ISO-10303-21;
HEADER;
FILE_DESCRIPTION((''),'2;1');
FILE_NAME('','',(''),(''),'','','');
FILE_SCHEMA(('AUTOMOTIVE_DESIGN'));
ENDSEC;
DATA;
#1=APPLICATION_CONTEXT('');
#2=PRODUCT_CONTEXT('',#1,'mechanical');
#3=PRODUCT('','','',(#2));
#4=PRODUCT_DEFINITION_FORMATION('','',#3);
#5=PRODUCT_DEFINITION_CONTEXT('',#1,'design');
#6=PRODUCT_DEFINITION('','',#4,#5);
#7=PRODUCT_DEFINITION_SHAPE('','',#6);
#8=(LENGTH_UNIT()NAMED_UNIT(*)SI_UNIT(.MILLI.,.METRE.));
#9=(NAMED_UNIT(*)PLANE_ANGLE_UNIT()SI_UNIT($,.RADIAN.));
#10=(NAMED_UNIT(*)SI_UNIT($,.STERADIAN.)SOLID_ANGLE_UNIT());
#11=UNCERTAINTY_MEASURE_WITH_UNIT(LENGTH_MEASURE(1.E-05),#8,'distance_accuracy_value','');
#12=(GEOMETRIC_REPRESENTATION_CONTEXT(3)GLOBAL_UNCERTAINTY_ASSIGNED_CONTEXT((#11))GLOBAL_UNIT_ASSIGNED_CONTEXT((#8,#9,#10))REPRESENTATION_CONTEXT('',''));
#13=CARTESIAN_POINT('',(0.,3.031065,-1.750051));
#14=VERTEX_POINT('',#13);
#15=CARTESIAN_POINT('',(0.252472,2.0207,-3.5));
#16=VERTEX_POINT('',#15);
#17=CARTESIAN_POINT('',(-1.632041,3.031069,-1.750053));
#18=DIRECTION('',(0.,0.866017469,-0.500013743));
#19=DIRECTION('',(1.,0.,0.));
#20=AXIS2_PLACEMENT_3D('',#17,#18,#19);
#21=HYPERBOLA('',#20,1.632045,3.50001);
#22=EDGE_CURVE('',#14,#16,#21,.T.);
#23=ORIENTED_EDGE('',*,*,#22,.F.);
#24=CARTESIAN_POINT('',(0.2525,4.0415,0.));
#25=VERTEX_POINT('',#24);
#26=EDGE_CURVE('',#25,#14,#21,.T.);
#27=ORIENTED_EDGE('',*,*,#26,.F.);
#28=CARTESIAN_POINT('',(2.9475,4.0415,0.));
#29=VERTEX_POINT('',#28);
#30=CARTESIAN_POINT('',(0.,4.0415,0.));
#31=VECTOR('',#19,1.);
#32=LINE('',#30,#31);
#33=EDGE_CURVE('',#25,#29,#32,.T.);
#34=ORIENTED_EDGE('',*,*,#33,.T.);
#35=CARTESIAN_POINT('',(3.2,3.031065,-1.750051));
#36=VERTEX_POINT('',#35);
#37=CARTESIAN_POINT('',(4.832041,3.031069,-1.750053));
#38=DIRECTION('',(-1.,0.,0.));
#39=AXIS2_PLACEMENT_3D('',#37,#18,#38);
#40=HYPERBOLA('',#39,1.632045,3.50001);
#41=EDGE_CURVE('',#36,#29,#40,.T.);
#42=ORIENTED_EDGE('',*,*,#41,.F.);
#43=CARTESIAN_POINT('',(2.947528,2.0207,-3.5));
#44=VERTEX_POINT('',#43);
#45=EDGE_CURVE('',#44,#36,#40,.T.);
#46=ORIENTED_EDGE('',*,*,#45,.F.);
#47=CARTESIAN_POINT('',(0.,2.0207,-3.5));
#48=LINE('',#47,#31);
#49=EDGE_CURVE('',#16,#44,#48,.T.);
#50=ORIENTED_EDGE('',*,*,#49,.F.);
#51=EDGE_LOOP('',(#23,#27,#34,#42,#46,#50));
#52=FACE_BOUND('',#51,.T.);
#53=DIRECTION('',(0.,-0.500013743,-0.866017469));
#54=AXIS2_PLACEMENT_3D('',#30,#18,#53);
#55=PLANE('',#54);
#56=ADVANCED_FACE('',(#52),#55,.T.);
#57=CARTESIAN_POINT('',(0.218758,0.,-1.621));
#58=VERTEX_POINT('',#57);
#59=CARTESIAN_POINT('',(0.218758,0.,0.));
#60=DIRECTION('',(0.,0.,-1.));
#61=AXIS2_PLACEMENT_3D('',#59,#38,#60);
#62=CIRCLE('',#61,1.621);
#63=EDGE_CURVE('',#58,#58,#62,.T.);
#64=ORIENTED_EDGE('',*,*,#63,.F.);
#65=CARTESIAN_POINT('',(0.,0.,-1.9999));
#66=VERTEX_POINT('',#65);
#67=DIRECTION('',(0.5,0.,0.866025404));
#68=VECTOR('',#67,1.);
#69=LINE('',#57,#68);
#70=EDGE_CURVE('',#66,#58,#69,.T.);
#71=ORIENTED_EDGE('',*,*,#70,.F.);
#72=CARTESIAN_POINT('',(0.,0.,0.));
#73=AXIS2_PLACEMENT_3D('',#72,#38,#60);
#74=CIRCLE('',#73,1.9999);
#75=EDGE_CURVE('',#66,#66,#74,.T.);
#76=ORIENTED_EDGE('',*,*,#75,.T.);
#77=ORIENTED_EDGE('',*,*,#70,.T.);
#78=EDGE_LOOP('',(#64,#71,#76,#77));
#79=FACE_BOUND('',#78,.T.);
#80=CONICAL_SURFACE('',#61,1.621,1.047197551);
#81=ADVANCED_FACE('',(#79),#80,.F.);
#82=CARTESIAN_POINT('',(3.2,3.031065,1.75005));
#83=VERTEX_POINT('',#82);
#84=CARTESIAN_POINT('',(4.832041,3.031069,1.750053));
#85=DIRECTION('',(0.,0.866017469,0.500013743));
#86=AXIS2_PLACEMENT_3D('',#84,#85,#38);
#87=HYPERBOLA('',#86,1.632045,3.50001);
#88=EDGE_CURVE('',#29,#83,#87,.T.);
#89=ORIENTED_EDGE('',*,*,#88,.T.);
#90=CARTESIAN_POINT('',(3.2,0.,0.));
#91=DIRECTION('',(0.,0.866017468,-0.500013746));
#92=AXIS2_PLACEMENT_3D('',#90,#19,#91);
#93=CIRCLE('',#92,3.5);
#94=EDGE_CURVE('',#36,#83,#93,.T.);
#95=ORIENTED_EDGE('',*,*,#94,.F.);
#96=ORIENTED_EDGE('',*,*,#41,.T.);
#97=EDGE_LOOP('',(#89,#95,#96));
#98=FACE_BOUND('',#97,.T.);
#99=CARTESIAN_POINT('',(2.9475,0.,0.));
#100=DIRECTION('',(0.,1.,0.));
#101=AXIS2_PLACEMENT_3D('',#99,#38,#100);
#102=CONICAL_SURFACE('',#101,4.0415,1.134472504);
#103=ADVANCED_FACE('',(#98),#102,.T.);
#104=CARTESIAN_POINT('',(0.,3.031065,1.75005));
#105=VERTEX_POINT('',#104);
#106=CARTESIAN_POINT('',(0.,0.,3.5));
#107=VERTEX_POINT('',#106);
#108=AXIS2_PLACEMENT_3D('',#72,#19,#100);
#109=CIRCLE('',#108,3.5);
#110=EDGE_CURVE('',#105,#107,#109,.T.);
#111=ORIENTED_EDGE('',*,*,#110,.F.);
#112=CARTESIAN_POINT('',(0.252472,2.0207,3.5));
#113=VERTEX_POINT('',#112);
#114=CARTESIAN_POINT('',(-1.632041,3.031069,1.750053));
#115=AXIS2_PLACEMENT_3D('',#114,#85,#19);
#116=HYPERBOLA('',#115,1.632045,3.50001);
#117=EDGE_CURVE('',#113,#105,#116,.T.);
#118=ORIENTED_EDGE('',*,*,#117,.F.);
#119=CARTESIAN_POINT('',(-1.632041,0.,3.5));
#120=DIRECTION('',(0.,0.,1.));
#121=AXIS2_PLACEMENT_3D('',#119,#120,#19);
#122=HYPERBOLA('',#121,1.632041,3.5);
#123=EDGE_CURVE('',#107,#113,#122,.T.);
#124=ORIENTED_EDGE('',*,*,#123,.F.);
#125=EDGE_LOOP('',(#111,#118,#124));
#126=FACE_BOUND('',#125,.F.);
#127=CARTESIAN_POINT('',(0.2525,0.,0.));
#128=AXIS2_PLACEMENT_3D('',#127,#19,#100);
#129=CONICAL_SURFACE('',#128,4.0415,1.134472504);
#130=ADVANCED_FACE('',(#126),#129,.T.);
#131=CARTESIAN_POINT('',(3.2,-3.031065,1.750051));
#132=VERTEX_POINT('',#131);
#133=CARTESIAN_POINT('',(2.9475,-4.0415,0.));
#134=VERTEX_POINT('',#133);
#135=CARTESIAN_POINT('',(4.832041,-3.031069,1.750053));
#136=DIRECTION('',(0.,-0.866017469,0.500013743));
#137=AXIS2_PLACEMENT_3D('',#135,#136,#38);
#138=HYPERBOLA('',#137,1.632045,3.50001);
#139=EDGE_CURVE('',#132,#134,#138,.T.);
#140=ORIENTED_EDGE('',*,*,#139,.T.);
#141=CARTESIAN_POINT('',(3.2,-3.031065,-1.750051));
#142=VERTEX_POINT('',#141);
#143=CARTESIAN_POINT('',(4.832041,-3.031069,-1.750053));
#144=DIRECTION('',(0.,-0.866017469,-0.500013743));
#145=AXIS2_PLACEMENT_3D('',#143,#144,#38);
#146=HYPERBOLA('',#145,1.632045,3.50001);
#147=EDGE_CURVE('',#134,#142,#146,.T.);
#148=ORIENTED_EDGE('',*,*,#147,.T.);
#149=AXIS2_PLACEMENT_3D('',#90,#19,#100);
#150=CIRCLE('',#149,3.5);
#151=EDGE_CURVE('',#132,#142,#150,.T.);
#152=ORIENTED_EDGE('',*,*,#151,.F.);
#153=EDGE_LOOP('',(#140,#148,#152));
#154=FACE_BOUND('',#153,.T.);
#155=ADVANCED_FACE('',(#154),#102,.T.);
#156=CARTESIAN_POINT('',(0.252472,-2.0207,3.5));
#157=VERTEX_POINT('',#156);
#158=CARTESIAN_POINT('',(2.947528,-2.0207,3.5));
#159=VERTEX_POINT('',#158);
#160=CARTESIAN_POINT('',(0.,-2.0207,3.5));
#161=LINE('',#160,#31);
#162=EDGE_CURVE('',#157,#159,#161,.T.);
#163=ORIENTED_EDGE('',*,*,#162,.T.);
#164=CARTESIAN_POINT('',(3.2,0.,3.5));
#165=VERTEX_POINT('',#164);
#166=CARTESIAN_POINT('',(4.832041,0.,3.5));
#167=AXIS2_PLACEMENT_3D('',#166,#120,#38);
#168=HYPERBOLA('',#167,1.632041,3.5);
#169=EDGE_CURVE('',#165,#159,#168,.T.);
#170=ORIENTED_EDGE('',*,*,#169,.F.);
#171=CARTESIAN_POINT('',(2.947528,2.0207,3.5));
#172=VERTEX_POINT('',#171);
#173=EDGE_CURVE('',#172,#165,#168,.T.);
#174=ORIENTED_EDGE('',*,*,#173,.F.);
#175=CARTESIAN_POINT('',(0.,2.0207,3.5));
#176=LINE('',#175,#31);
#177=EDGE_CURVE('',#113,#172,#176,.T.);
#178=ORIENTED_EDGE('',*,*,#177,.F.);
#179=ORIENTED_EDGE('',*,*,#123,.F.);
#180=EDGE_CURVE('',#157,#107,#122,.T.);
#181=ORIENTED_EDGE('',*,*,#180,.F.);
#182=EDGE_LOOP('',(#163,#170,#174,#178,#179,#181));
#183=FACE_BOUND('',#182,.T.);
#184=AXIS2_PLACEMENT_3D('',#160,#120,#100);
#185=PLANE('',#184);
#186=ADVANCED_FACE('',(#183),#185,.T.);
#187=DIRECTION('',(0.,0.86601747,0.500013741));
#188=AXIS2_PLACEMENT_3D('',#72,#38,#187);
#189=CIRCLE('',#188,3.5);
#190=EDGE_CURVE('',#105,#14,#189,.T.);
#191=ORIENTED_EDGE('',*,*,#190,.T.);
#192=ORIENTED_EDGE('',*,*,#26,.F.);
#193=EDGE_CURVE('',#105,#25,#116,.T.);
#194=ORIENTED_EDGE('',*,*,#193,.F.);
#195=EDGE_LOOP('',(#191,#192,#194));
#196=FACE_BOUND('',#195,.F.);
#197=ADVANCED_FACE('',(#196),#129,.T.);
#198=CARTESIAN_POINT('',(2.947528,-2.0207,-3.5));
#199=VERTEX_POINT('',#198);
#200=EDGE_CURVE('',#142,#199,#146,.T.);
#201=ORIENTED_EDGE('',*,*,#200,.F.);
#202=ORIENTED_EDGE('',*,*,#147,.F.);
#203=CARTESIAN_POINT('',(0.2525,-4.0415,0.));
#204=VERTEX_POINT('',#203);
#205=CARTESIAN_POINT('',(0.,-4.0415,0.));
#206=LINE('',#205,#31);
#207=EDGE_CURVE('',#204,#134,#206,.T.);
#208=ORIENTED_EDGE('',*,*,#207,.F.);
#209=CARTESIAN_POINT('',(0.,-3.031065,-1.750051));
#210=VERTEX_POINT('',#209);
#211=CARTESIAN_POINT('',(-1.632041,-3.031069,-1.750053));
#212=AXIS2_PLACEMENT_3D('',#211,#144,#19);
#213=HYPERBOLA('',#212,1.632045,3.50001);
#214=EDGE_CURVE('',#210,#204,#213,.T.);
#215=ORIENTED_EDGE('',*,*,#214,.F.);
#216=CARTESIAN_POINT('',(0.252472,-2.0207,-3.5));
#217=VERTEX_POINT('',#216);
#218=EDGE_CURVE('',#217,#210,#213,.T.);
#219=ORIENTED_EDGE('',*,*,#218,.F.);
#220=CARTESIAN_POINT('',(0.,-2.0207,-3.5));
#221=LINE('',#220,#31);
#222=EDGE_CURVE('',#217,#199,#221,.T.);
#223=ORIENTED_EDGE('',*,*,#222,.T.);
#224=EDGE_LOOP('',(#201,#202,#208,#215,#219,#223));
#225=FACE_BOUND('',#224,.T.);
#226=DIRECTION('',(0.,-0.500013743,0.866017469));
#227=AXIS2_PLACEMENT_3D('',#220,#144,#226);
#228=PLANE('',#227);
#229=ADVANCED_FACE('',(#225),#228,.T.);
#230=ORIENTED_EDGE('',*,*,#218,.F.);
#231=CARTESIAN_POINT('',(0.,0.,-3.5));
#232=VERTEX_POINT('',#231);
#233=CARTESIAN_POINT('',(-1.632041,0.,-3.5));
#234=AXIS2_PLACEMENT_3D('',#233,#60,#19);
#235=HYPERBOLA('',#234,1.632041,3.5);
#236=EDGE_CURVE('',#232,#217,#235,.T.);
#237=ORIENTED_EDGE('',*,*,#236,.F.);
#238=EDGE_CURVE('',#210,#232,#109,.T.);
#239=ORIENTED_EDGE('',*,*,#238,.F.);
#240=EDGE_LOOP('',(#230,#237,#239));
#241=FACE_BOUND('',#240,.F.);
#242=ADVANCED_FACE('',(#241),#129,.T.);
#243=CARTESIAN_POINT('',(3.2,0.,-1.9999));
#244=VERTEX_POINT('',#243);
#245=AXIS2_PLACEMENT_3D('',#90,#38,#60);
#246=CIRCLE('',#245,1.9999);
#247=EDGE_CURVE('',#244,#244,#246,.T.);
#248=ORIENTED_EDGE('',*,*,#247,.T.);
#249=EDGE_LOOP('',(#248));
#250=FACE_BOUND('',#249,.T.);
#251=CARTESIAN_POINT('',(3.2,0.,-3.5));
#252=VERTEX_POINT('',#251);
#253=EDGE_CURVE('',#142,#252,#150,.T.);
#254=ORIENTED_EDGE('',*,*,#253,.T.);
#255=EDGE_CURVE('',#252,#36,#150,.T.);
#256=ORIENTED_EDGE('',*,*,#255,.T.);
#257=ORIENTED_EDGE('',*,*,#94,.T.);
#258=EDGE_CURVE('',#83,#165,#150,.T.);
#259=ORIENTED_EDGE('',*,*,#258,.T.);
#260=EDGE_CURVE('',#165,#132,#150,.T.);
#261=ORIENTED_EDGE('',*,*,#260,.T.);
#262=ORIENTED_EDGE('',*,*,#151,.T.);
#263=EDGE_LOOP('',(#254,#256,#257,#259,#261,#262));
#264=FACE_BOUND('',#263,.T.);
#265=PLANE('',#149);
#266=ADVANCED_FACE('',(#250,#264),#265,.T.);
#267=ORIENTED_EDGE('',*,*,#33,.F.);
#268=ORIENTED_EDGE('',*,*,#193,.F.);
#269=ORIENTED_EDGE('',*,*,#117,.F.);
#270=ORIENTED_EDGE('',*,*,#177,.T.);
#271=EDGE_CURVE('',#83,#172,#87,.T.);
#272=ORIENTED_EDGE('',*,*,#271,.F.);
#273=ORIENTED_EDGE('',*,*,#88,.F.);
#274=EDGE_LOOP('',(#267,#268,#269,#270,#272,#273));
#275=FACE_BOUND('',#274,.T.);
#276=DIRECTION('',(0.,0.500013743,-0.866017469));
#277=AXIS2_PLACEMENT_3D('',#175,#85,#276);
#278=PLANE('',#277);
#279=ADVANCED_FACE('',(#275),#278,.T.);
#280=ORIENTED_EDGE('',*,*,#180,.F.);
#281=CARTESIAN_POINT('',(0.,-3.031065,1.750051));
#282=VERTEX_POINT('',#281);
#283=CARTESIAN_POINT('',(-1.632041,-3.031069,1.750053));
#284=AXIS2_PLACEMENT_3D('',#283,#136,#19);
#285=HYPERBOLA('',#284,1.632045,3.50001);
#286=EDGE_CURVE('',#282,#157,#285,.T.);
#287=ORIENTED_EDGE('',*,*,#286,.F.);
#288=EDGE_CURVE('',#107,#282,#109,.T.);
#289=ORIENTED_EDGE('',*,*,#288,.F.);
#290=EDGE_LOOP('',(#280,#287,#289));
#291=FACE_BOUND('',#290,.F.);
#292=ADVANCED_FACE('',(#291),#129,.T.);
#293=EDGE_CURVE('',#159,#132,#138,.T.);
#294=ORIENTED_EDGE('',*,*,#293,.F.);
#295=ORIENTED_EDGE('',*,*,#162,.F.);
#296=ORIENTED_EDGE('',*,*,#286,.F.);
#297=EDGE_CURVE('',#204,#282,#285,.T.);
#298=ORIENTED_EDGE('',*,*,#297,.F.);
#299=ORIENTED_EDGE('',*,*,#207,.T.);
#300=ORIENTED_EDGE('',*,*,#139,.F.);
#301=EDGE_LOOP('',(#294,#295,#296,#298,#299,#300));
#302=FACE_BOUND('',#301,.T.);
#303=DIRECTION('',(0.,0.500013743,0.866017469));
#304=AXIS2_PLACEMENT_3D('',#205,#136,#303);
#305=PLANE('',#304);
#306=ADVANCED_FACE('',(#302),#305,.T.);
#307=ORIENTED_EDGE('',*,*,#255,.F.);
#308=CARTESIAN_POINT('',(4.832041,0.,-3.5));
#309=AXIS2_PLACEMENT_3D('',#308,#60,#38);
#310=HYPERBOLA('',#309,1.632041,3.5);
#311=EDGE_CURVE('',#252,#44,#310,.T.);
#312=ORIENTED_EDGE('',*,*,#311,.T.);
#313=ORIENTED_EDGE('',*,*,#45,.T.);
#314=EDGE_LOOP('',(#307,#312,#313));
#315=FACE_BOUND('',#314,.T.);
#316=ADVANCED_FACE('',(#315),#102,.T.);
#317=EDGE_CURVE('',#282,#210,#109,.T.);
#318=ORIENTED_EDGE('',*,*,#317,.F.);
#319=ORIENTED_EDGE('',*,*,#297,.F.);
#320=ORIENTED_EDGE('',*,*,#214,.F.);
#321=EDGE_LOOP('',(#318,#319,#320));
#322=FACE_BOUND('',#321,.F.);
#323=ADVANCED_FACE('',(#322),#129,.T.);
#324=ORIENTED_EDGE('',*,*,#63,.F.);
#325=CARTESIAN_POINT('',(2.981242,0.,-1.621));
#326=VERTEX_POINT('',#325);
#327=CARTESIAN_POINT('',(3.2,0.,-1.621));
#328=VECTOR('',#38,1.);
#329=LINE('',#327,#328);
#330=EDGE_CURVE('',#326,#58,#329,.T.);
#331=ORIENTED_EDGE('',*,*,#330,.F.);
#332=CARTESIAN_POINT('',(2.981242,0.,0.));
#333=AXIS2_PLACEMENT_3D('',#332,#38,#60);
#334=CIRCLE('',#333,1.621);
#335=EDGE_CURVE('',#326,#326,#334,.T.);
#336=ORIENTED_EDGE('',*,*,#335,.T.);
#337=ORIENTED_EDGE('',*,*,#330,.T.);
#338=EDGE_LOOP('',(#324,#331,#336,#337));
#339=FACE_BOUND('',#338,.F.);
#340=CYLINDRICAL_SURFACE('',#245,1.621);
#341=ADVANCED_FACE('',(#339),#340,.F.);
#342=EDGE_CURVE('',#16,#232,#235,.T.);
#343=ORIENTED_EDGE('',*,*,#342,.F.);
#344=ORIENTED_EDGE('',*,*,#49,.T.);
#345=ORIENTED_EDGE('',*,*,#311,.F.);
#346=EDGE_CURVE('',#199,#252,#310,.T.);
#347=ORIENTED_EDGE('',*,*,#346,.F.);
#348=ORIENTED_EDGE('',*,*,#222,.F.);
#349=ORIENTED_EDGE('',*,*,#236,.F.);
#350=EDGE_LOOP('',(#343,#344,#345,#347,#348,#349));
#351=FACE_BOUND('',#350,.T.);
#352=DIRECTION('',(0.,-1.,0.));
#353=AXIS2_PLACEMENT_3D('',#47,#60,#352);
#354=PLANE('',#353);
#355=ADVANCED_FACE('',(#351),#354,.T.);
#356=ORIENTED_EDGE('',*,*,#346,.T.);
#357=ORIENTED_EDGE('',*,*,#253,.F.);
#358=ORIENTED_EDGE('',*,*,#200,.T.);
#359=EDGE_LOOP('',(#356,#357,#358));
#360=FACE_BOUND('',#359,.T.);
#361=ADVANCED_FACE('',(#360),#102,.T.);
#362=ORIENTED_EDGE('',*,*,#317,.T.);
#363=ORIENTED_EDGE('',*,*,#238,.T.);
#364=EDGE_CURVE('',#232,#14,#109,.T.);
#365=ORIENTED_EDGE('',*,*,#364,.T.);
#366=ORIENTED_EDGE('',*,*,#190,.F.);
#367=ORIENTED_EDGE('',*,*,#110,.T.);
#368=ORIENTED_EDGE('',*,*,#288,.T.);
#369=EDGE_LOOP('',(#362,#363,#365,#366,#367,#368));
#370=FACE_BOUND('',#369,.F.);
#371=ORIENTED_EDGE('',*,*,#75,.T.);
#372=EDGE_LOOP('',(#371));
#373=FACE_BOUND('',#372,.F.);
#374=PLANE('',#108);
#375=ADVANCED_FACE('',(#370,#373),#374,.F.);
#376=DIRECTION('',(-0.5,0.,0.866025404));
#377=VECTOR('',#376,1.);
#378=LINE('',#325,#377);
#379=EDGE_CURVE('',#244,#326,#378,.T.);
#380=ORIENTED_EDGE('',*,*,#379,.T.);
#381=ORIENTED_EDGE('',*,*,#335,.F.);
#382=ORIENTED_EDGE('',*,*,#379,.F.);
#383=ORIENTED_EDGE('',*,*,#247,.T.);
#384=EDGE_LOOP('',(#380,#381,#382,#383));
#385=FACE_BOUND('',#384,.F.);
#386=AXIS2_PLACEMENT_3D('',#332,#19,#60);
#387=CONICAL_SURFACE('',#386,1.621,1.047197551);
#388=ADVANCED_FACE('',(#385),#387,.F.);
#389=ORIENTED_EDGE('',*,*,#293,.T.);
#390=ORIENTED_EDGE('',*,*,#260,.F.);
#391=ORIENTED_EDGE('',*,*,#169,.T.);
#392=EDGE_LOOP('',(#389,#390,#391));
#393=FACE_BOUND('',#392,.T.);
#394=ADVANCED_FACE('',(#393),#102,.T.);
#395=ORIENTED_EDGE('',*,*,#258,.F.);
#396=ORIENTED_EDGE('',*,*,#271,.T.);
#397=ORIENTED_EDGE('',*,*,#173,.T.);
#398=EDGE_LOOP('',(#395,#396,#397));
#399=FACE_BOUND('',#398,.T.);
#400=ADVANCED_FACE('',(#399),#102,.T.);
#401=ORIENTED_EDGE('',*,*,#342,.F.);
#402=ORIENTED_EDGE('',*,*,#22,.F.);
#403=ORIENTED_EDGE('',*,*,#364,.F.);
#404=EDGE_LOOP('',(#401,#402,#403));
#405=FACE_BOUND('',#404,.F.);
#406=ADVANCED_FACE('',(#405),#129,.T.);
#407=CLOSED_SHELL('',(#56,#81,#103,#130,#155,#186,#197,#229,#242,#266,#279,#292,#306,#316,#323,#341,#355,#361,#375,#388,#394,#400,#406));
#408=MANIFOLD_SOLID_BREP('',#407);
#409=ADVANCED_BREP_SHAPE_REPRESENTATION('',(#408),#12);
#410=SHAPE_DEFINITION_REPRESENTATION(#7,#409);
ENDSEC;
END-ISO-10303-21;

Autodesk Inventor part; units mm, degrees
ref_plane "YZ Plane" through (0, 0, 0) normal (1, 0, 0) x (0, 1, 0)
ref_plane "XZ Plane" through (0, 0, 0) normal (0, 1, 0) x (-1, 0, 0)
sketch "Sketch1" plane through (0, 0, 0) normal (1, 0, 0) x (0, 1, 0)
  line L0 (-4.0415, 0) -> (-2.0207, 3.5)
  line L1 (-2.0207, 3.5) -> (2.0207, 3.5)
  line L2 (2.0207, 3.5) -> (4.0415, 0)
  line L3 (4.0415, 0) -> (2.0207, -3.5)
  line L4 (2.0207, -3.5) -> (-2.0207, -3.5)
  line L5 (-2.0207, -3.5) -> (-4.0415, 0)
  point P0 (0, 0)
  point P1 (0, 0)
  dimension "d0" = 8.0829
extrude "Body" add sketch "Sketch1" along normal blind 3.2
sketch "Sketch2" plane through (0, 0, 0) normal (0, 0, 1) x (1, 0, 0)
  line L0 (0, 2.0207) -> (0, 4.0415) projected
  line L1 (0, 4.0415) -> (3.2, 4.0415) projected
  line L2 (3.2, 2.0207) -> (3.2, 4.0415) projected
  line L3 (-0.64, 0) -> (3.84, 0) projected
  line L4 (0.2525, 4.0415) -> (0, 3.5)
  line L5 (2.9475, 4.0415) -> (3.2, 3.5)
  dimension "d3" = 25
  dimension "d4" = 25
  dimension "d5" = 7
  dimension "d6" = 7
revolve "Chamfer1" cut sketch "Sketch2" angle 360 about axis through (-10, 0, 0) along (1, 0, 0)
sketch "Sketch3" plane through (3.2, 0, 0) normal (1, 0, 0) x (0, 0, -1)
  arc A0 (-1.75, -3.0311) -> (1.75, -3.0311) centre (0, 0) ccw projected
hole "Thread" at (3.2, 0, 0) direction (-1, 0, 0) diameter 3.242 end through all thread size "M4x0.7" class "6H" standard "ANSI Metric M Profile"
chamfer "Chamfer2" distance 0.3789 angle 30 1 edges at (3.2, 0, 1.621) measured on face at (3.2, 2.8569, -0.0651)
chamfer "Chamfer3" distance 0.3789 angle 30 1 edges at (0, 0, 1.621) measured on face at (0, 2.8569, -0.0651)
ref_plane "Work Plane1" through (-7.9612, 0, 0) normal (0, -0.866, -0.5) x (1, 0, 0)
equation "\"d0\" = 1.1547 * SW"
equation "\"d1\" = KOH"
equation "\"d8\" = -0.5 * GD1 + 0.5 * NND"
equation "\"d40\" = -0.5 * GD1 + 0.5 * NND"
equation "\"d10\" = -0.5 * GD1 + 0.5 * NND"
equation "\"d41\" = -0.5 * GD1 + 0.5 * NND"
equation "\"d3\" = ANG1"
equation "\"d4\" = ANG2"
equation "\"d5\" = SW0"
equation "\"d6\" = SW01"
equation "\"ANG1\" = 25deg"
equation "\"ANG2\" = 25deg"
equation "\"NND\" = 4"
equation "\"KOH\" = 3.2"
equation "\"SW\" = 7"
equation "\"SW0\" = SW"
equation "\"SW01\" = SW"
equation "\"GUL\" = 0.541266 * PTC"
equation "\"THREADDIA\" = 4"
equation "\"TOA\" = 30deg"
equation "\"PTC\" = 0.7"
equation "\"E0\" = 1.155 * SW"
equation "\"GAL\" = 0.541266 * PTC"
equation "\"SD2\" = 0"
equation "\"WFT\" = 0"
equation "\"GD1\" = 3.242228"
properties part number "ANSI B 18.2.4.1 M - M4 x 0.7" material "Steel, Mild"
